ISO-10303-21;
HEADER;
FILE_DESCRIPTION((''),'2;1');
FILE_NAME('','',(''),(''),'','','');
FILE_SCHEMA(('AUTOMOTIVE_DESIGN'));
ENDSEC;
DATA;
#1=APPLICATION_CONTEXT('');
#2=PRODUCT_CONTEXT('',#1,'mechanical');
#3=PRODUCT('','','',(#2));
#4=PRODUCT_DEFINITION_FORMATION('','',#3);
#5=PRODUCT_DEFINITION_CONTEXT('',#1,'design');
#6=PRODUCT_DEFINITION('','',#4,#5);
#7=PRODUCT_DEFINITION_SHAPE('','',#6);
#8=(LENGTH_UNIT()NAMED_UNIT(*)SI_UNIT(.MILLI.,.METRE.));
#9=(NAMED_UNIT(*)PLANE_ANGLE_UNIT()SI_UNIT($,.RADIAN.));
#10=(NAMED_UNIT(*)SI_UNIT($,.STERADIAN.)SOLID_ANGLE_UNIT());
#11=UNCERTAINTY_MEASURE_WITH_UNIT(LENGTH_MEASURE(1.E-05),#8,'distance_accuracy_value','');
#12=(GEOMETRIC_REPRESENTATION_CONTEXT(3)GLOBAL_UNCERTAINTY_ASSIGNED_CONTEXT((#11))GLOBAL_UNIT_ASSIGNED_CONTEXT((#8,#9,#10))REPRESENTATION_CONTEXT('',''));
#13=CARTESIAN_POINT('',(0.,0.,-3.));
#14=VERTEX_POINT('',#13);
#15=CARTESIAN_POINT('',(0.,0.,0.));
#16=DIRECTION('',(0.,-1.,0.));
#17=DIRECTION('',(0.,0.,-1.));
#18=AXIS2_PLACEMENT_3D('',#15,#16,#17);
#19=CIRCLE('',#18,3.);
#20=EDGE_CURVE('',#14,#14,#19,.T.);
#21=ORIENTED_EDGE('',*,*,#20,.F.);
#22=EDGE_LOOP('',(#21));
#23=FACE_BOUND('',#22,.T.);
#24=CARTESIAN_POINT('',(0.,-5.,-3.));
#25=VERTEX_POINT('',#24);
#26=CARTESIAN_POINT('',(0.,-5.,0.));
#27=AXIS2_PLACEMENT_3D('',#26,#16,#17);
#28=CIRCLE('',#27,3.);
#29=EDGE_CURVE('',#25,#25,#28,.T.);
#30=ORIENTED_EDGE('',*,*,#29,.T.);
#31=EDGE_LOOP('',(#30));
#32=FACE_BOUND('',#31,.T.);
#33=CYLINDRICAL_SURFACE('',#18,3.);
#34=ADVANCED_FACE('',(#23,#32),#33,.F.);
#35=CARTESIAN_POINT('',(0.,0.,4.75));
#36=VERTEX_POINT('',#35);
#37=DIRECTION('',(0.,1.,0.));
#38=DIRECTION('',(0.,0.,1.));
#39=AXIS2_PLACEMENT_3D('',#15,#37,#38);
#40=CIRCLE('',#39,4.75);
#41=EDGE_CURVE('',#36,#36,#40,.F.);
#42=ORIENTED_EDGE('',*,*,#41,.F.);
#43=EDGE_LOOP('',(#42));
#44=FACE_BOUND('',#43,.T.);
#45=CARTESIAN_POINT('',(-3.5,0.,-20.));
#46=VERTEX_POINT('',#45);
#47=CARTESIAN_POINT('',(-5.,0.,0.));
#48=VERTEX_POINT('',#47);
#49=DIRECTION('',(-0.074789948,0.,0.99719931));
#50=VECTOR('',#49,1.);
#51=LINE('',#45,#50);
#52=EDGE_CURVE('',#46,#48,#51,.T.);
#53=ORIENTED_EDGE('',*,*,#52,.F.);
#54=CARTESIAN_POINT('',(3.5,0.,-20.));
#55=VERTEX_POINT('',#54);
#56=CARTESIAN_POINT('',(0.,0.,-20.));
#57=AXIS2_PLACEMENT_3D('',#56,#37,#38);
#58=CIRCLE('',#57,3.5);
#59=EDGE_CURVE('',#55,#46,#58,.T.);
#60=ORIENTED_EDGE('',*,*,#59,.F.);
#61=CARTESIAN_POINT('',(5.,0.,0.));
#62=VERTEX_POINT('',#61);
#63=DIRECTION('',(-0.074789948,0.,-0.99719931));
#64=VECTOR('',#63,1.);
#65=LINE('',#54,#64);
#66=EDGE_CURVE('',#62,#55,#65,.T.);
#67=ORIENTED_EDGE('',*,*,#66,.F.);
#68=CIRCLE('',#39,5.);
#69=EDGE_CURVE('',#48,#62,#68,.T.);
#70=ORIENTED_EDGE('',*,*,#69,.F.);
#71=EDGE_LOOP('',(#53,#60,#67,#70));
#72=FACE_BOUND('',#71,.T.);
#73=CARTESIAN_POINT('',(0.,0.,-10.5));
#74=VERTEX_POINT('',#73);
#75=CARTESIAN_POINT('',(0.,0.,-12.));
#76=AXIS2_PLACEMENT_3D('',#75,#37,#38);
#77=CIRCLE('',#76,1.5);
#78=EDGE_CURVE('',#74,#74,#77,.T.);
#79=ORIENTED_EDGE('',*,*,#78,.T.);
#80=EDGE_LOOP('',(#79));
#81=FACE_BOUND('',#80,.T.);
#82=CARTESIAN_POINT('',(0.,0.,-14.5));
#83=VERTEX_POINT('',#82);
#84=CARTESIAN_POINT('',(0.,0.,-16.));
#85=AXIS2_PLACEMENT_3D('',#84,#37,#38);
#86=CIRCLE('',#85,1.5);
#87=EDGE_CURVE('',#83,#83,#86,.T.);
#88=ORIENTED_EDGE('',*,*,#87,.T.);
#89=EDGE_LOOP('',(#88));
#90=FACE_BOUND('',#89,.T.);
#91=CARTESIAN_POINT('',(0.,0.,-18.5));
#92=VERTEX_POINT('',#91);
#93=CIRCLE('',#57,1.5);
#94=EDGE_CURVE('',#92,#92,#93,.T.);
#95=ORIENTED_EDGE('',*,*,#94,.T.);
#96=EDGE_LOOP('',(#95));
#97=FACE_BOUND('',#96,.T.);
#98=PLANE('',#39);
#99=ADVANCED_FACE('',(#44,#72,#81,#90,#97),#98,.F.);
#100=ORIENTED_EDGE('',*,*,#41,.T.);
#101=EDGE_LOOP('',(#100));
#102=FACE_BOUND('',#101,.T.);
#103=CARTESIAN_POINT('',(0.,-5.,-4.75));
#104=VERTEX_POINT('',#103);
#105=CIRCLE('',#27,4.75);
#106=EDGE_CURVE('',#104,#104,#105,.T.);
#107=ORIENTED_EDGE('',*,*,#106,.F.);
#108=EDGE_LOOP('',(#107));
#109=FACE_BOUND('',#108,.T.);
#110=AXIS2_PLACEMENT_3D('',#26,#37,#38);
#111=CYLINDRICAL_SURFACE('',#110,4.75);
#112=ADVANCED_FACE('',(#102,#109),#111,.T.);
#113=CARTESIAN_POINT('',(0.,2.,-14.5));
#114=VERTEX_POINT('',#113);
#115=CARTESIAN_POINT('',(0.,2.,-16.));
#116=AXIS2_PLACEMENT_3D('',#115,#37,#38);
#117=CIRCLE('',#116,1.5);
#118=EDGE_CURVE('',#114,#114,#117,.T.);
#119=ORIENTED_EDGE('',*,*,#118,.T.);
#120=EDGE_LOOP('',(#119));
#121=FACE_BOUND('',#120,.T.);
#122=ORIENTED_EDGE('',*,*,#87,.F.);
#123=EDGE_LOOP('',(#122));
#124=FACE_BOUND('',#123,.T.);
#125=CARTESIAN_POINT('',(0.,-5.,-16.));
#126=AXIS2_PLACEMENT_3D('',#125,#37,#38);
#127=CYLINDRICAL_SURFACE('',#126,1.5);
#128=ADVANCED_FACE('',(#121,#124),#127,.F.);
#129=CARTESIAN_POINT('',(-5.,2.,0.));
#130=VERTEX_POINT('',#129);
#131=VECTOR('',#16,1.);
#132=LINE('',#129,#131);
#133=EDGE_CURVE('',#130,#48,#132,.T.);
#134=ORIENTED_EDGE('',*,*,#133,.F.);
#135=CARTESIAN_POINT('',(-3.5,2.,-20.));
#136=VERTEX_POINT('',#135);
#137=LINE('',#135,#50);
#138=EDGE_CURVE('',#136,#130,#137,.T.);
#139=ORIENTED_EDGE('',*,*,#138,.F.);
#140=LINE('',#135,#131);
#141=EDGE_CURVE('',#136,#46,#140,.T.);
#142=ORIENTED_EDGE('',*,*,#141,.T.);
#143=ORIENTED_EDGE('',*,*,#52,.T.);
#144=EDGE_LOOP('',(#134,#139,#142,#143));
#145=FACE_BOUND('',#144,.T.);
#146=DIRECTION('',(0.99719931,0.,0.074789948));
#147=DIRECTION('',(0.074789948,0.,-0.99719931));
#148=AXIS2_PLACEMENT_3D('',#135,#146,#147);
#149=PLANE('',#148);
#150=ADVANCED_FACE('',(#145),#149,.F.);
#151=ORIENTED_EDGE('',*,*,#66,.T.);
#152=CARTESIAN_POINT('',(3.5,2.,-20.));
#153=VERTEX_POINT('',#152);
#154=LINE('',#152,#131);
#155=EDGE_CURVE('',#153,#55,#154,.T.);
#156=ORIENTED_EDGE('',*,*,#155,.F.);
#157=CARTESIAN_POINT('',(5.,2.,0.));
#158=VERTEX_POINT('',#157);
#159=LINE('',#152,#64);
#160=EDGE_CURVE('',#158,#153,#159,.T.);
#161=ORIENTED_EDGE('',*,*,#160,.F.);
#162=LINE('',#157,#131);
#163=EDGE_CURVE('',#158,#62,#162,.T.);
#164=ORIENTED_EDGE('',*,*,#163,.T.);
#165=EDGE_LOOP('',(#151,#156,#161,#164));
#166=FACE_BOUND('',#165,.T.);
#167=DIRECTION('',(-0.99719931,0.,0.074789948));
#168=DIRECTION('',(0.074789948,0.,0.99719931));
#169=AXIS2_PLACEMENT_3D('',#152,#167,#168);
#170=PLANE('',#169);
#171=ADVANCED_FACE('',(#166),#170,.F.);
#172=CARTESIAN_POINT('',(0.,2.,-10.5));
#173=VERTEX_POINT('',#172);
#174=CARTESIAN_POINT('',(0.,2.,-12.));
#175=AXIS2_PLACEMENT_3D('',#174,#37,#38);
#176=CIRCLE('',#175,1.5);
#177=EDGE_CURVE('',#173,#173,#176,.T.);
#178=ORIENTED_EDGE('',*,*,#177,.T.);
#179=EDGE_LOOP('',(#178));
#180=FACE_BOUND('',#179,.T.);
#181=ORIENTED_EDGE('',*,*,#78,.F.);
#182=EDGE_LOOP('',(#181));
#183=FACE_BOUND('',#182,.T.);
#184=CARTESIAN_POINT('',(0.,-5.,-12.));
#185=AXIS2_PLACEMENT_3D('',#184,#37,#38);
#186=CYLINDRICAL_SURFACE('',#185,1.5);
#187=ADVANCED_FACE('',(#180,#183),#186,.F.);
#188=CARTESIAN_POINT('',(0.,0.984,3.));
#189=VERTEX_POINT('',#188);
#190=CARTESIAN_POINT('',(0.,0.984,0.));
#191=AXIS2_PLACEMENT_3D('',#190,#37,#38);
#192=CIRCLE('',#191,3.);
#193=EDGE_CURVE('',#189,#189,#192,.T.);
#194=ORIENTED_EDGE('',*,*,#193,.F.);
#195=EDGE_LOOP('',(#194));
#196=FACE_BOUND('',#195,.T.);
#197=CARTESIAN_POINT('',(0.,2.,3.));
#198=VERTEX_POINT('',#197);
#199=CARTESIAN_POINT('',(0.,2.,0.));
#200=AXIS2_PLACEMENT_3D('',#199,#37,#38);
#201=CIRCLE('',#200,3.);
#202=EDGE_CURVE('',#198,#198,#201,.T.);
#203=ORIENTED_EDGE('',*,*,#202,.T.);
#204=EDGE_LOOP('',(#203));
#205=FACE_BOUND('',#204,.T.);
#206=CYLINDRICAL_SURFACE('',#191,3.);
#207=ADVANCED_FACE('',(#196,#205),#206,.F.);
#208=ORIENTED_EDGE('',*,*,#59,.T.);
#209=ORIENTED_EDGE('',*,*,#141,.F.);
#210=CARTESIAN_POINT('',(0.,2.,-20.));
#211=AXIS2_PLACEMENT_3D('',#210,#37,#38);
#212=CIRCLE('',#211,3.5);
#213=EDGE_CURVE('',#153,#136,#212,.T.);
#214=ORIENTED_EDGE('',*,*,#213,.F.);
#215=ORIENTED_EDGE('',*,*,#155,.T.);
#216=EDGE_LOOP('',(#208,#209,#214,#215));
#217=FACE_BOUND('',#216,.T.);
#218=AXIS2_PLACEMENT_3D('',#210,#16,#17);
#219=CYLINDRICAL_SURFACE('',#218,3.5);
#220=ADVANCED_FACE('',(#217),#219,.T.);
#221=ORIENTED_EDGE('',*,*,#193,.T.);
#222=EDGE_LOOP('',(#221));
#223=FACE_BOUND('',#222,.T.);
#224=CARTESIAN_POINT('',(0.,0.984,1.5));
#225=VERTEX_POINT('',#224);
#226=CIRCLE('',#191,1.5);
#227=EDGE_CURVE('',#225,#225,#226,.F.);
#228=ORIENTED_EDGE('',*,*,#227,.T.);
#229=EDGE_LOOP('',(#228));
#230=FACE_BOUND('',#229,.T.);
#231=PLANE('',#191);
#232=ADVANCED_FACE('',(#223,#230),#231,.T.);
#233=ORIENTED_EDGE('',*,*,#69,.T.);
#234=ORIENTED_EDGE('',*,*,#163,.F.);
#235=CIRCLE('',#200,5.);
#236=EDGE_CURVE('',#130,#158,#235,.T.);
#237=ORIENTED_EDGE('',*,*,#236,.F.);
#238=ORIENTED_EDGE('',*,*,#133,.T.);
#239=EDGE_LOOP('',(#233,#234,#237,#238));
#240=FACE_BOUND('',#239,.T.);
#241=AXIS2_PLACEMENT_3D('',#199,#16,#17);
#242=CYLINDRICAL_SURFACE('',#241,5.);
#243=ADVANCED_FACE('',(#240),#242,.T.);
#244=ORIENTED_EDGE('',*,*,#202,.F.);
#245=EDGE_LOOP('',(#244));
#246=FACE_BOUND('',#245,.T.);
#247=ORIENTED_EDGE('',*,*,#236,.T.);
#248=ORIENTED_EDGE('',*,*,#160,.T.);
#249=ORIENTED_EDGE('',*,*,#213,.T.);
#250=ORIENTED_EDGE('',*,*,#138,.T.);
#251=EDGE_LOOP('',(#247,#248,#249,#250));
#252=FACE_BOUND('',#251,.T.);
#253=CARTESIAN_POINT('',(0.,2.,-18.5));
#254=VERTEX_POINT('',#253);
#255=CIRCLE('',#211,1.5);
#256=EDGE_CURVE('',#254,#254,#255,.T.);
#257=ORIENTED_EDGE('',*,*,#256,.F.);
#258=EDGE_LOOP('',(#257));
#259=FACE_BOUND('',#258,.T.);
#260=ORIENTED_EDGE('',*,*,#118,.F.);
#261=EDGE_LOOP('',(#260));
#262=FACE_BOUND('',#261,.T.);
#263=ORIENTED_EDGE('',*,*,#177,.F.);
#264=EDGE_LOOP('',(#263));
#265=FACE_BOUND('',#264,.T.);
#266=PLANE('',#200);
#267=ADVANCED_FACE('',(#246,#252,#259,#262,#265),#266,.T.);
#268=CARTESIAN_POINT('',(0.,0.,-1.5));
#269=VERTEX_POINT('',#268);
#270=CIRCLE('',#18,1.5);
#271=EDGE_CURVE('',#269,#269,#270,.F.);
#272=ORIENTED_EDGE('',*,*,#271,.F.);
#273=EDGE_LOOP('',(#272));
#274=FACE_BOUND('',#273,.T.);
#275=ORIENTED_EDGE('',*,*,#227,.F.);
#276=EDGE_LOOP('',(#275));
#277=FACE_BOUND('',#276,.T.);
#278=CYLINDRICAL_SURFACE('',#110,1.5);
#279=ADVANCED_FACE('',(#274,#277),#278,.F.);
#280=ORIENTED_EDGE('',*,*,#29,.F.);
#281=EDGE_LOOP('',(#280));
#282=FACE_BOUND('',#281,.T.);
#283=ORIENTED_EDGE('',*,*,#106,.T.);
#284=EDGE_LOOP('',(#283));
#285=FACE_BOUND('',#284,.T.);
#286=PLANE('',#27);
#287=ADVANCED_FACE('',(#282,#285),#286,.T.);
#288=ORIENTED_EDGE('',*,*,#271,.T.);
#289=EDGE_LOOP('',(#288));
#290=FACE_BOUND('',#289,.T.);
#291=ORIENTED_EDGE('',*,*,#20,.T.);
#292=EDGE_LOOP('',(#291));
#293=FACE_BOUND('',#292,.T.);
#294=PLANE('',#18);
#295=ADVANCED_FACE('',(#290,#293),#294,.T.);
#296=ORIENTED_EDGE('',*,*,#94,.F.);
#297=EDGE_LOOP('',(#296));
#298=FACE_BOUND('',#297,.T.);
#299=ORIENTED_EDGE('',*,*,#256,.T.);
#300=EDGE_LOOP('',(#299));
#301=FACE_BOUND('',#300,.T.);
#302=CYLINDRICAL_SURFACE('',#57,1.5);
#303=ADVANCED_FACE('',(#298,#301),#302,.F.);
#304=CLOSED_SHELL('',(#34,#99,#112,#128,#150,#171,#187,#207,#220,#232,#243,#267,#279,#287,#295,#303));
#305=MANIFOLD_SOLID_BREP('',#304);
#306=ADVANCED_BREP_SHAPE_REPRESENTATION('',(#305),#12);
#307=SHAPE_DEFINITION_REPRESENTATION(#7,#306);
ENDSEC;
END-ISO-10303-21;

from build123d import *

# Parameters (mm, degrees)
BOSS_EXTRUDE1_DEPTH = 2
SKETCH2_R           = 1.5
CUT_EXTRUDE1_DEPTH  = 3
SKETCH7_R           = 4.75
BOSS_EXTRUDE2_DEPTH = 5
SKETCH3_R           = 1.5
CUT_EXTRUDE2_DEPTH  = 8
SKETCH4_R           = 3
CUT_EXTRUDE3_DEPTH  = 1.016
SKETCH6_R           = 1.5
CUT_EXTRUDE4_DEPTH  = 8
SKETCH5_R           = 1.5
CUT_EXTRUDE5_DEPTH  = 8
SKETCH8_R           = 3
CUT_EXTRUDE6_DEPTH  = 5


with BuildPart() as part:
    # Sketch1 → Boss-Extrude1 (new body)
    with BuildSketch(Plane(origin=(0, 0, 0), x_dir=(1, 0, 0), z_dir=(0, 1, 0))):
        with BuildLine():
            Line((3.5, 20), (5, 0))
            ThreePointArc((5, 0), (0, -5), (-5, 0))
            Line((-5, 0), (-3.5, 20))
            ThreePointArc((-3.5, 20), (0, 23.5), (3.5, 20))
        make_face()
    extrude(amount=BOSS_EXTRUDE1_DEPTH)

    # Sketch2 → Cut-Extrude1 (cut, through all)
    with BuildSketch(Plane(origin=(0, 2, 0), x_dir=(1, 0, 0), z_dir=(0, 1, 0))):
        with Locations((0, 20)):
            Circle(SKETCH2_R)
    extrude(amount=-CUT_EXTRUDE1_DEPTH, mode=Mode.SUBTRACT)

    # Sketch7 → Boss-Extrude2 (add)
    with BuildSketch(Plane(origin=(0, 0, 0), x_dir=(-1, 0, 0), z_dir=(0, -1, 0))):
        Circle(SKETCH7_R)
    extrude(amount=BOSS_EXTRUDE2_DEPTH)

    # Sketch3 → Cut-Extrude2 (cut, through all)
    with BuildSketch(Plane(origin=(0, 2, 0), x_dir=(1, 0, 0), z_dir=(0, 1, 0))):
        Circle(SKETCH3_R)
    extrude(amount=-CUT_EXTRUDE2_DEPTH, mode=Mode.SUBTRACT)

    # Sketch4 → Cut-Extrude3 (cut)
    with BuildSketch(Plane(origin=(0, 2, 0), x_dir=(1, 0, 0), z_dir=(0, 1, 0))):
        Circle(SKETCH4_R)
    extrude(amount=-CUT_EXTRUDE3_DEPTH, mode=Mode.SUBTRACT)

    # Sketch6 → Cut-Extrude4 (cut, through all)
    with BuildSketch(Plane(origin=(0, 2, 0), x_dir=(1, 0, 0), z_dir=(0, 1, 0))):
        with Locations((0, 16)):
            Circle(SKETCH6_R)
    extrude(amount=-CUT_EXTRUDE4_DEPTH, mode=Mode.SUBTRACT)

    # Sketch5 → Cut-Extrude5 (cut, through all)
    with BuildSketch(Plane(origin=(0, 2, 0), x_dir=(1, 0, 0), z_dir=(0, 1, 0))):
        with Locations((0, 12)):
            Circle(SKETCH5_R)
    extrude(amount=-CUT_EXTRUDE5_DEPTH, mode=Mode.SUBTRACT)

    # Sketch8 → Cut-Extrude6 (cut)
    with BuildSketch(Plane(origin=(0, -5, 0), x_dir=(-1, 0, 0), z_dir=(0, -1, 0))):
        Circle(SKETCH8_R)
    extrude(amount=-CUT_EXTRUDE6_DEPTH, mode=Mode.SUBTRACT)


solid = part.part
